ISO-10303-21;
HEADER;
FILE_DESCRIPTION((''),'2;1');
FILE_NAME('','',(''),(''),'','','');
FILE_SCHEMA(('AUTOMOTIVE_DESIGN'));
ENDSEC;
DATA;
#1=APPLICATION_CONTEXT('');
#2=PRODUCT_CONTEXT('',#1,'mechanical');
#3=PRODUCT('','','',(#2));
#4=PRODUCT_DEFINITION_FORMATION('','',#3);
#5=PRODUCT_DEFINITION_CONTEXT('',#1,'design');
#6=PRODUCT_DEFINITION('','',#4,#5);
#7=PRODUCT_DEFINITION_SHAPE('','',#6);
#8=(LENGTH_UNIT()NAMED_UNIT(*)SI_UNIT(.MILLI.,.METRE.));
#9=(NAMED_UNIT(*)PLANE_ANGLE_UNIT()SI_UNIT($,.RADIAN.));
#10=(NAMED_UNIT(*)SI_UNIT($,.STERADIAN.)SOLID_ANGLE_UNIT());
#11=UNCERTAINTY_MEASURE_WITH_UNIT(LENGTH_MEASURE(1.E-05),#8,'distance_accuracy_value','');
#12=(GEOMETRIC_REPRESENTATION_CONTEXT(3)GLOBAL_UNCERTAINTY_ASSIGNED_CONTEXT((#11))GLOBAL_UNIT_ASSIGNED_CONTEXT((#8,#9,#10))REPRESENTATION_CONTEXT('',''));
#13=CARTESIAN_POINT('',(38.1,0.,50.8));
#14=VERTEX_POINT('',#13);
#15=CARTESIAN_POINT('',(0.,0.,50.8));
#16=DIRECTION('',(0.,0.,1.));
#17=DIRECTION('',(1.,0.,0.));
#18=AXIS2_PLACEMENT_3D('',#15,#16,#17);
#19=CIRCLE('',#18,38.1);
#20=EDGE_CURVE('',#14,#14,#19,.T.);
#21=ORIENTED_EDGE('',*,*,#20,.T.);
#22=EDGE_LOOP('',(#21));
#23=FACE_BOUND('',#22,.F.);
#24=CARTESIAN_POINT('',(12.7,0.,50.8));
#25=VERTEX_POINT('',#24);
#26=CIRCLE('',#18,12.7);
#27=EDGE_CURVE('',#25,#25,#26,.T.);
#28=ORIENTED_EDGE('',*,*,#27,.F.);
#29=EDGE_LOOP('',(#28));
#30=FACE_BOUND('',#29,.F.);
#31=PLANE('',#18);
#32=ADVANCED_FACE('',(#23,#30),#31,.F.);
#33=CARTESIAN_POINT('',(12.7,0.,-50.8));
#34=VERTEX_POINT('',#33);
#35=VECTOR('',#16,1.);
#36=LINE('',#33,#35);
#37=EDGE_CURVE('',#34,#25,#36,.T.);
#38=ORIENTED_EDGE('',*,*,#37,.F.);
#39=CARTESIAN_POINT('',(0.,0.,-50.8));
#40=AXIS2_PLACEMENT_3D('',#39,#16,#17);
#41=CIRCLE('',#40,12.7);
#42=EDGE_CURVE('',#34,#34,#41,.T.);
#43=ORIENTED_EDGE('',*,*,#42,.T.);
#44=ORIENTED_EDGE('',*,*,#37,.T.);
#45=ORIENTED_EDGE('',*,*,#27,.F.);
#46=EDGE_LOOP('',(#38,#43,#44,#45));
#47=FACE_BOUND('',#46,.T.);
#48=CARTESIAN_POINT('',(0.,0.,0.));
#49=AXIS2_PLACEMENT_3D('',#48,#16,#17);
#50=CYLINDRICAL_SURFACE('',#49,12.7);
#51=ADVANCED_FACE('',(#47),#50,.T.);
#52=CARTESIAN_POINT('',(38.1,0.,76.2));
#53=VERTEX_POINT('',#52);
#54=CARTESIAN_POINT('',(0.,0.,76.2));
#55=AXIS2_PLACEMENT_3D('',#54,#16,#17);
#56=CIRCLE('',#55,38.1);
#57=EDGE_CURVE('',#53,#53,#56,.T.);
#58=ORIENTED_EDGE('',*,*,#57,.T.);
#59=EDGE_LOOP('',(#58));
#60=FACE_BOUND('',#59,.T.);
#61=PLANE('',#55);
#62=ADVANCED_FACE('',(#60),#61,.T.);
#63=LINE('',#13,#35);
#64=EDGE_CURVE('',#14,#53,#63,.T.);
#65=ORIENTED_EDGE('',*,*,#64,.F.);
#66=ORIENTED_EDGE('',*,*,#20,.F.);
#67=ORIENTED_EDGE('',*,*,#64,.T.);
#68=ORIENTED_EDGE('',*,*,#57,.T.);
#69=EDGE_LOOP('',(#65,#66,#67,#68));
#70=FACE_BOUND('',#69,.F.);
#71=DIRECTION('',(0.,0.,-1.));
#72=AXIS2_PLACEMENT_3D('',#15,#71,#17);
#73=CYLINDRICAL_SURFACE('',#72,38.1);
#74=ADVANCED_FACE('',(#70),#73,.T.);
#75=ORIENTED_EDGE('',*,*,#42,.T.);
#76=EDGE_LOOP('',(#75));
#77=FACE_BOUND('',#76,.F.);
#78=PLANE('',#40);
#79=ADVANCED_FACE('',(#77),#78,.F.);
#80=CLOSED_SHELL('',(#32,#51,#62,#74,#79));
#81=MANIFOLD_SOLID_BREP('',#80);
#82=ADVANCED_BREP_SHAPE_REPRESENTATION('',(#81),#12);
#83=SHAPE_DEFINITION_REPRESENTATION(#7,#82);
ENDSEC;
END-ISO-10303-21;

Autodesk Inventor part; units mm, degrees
ref_plane "YZ Plane" through (0, 0, 0) normal (1, 0, 0) x (0, 1, 0)
ref_plane "Work Plane1" through (0, 0, 0) normal (0, 0, 1) x (1, 0, 0)
sketch "Sketch1" plane through (0, 0, 0) normal (0, 0, 1) x (1, 0, 0)
  circle A0 centre (0, 0) radius 12.7
  dimension "d0" = 25.4
extrude "Extrusion1" add sketch "Sketch1" against normal blind 50.8
sketch "Sketch2" plane through (0, 0, 0) normal (0, 0, 1) x (1, 0, 0)
  circle A0 centre (0, 0) radius 12.7
extrude "Extrusion2" add sketch "Sketch2" along normal blind 50.8
sketch "Sketch4" plane through (0, 0, 50.8) normal (0, 0, 1) x (1, 0, 0)
  circle A0 centre (0, 0) radius 38.1
  dimension "d6" = 76.2
extrude "Extrusion3" add sketch "Sketch4" along normal blind 25.4
ref_plane "Work Plane2" through (175.2488, -178.5172, -25.4) normal (0, 0, 1) x (0.3503, -0.9366, 0)
properties part number "clutch02-releaseMechanism" material "PET Plastic"
